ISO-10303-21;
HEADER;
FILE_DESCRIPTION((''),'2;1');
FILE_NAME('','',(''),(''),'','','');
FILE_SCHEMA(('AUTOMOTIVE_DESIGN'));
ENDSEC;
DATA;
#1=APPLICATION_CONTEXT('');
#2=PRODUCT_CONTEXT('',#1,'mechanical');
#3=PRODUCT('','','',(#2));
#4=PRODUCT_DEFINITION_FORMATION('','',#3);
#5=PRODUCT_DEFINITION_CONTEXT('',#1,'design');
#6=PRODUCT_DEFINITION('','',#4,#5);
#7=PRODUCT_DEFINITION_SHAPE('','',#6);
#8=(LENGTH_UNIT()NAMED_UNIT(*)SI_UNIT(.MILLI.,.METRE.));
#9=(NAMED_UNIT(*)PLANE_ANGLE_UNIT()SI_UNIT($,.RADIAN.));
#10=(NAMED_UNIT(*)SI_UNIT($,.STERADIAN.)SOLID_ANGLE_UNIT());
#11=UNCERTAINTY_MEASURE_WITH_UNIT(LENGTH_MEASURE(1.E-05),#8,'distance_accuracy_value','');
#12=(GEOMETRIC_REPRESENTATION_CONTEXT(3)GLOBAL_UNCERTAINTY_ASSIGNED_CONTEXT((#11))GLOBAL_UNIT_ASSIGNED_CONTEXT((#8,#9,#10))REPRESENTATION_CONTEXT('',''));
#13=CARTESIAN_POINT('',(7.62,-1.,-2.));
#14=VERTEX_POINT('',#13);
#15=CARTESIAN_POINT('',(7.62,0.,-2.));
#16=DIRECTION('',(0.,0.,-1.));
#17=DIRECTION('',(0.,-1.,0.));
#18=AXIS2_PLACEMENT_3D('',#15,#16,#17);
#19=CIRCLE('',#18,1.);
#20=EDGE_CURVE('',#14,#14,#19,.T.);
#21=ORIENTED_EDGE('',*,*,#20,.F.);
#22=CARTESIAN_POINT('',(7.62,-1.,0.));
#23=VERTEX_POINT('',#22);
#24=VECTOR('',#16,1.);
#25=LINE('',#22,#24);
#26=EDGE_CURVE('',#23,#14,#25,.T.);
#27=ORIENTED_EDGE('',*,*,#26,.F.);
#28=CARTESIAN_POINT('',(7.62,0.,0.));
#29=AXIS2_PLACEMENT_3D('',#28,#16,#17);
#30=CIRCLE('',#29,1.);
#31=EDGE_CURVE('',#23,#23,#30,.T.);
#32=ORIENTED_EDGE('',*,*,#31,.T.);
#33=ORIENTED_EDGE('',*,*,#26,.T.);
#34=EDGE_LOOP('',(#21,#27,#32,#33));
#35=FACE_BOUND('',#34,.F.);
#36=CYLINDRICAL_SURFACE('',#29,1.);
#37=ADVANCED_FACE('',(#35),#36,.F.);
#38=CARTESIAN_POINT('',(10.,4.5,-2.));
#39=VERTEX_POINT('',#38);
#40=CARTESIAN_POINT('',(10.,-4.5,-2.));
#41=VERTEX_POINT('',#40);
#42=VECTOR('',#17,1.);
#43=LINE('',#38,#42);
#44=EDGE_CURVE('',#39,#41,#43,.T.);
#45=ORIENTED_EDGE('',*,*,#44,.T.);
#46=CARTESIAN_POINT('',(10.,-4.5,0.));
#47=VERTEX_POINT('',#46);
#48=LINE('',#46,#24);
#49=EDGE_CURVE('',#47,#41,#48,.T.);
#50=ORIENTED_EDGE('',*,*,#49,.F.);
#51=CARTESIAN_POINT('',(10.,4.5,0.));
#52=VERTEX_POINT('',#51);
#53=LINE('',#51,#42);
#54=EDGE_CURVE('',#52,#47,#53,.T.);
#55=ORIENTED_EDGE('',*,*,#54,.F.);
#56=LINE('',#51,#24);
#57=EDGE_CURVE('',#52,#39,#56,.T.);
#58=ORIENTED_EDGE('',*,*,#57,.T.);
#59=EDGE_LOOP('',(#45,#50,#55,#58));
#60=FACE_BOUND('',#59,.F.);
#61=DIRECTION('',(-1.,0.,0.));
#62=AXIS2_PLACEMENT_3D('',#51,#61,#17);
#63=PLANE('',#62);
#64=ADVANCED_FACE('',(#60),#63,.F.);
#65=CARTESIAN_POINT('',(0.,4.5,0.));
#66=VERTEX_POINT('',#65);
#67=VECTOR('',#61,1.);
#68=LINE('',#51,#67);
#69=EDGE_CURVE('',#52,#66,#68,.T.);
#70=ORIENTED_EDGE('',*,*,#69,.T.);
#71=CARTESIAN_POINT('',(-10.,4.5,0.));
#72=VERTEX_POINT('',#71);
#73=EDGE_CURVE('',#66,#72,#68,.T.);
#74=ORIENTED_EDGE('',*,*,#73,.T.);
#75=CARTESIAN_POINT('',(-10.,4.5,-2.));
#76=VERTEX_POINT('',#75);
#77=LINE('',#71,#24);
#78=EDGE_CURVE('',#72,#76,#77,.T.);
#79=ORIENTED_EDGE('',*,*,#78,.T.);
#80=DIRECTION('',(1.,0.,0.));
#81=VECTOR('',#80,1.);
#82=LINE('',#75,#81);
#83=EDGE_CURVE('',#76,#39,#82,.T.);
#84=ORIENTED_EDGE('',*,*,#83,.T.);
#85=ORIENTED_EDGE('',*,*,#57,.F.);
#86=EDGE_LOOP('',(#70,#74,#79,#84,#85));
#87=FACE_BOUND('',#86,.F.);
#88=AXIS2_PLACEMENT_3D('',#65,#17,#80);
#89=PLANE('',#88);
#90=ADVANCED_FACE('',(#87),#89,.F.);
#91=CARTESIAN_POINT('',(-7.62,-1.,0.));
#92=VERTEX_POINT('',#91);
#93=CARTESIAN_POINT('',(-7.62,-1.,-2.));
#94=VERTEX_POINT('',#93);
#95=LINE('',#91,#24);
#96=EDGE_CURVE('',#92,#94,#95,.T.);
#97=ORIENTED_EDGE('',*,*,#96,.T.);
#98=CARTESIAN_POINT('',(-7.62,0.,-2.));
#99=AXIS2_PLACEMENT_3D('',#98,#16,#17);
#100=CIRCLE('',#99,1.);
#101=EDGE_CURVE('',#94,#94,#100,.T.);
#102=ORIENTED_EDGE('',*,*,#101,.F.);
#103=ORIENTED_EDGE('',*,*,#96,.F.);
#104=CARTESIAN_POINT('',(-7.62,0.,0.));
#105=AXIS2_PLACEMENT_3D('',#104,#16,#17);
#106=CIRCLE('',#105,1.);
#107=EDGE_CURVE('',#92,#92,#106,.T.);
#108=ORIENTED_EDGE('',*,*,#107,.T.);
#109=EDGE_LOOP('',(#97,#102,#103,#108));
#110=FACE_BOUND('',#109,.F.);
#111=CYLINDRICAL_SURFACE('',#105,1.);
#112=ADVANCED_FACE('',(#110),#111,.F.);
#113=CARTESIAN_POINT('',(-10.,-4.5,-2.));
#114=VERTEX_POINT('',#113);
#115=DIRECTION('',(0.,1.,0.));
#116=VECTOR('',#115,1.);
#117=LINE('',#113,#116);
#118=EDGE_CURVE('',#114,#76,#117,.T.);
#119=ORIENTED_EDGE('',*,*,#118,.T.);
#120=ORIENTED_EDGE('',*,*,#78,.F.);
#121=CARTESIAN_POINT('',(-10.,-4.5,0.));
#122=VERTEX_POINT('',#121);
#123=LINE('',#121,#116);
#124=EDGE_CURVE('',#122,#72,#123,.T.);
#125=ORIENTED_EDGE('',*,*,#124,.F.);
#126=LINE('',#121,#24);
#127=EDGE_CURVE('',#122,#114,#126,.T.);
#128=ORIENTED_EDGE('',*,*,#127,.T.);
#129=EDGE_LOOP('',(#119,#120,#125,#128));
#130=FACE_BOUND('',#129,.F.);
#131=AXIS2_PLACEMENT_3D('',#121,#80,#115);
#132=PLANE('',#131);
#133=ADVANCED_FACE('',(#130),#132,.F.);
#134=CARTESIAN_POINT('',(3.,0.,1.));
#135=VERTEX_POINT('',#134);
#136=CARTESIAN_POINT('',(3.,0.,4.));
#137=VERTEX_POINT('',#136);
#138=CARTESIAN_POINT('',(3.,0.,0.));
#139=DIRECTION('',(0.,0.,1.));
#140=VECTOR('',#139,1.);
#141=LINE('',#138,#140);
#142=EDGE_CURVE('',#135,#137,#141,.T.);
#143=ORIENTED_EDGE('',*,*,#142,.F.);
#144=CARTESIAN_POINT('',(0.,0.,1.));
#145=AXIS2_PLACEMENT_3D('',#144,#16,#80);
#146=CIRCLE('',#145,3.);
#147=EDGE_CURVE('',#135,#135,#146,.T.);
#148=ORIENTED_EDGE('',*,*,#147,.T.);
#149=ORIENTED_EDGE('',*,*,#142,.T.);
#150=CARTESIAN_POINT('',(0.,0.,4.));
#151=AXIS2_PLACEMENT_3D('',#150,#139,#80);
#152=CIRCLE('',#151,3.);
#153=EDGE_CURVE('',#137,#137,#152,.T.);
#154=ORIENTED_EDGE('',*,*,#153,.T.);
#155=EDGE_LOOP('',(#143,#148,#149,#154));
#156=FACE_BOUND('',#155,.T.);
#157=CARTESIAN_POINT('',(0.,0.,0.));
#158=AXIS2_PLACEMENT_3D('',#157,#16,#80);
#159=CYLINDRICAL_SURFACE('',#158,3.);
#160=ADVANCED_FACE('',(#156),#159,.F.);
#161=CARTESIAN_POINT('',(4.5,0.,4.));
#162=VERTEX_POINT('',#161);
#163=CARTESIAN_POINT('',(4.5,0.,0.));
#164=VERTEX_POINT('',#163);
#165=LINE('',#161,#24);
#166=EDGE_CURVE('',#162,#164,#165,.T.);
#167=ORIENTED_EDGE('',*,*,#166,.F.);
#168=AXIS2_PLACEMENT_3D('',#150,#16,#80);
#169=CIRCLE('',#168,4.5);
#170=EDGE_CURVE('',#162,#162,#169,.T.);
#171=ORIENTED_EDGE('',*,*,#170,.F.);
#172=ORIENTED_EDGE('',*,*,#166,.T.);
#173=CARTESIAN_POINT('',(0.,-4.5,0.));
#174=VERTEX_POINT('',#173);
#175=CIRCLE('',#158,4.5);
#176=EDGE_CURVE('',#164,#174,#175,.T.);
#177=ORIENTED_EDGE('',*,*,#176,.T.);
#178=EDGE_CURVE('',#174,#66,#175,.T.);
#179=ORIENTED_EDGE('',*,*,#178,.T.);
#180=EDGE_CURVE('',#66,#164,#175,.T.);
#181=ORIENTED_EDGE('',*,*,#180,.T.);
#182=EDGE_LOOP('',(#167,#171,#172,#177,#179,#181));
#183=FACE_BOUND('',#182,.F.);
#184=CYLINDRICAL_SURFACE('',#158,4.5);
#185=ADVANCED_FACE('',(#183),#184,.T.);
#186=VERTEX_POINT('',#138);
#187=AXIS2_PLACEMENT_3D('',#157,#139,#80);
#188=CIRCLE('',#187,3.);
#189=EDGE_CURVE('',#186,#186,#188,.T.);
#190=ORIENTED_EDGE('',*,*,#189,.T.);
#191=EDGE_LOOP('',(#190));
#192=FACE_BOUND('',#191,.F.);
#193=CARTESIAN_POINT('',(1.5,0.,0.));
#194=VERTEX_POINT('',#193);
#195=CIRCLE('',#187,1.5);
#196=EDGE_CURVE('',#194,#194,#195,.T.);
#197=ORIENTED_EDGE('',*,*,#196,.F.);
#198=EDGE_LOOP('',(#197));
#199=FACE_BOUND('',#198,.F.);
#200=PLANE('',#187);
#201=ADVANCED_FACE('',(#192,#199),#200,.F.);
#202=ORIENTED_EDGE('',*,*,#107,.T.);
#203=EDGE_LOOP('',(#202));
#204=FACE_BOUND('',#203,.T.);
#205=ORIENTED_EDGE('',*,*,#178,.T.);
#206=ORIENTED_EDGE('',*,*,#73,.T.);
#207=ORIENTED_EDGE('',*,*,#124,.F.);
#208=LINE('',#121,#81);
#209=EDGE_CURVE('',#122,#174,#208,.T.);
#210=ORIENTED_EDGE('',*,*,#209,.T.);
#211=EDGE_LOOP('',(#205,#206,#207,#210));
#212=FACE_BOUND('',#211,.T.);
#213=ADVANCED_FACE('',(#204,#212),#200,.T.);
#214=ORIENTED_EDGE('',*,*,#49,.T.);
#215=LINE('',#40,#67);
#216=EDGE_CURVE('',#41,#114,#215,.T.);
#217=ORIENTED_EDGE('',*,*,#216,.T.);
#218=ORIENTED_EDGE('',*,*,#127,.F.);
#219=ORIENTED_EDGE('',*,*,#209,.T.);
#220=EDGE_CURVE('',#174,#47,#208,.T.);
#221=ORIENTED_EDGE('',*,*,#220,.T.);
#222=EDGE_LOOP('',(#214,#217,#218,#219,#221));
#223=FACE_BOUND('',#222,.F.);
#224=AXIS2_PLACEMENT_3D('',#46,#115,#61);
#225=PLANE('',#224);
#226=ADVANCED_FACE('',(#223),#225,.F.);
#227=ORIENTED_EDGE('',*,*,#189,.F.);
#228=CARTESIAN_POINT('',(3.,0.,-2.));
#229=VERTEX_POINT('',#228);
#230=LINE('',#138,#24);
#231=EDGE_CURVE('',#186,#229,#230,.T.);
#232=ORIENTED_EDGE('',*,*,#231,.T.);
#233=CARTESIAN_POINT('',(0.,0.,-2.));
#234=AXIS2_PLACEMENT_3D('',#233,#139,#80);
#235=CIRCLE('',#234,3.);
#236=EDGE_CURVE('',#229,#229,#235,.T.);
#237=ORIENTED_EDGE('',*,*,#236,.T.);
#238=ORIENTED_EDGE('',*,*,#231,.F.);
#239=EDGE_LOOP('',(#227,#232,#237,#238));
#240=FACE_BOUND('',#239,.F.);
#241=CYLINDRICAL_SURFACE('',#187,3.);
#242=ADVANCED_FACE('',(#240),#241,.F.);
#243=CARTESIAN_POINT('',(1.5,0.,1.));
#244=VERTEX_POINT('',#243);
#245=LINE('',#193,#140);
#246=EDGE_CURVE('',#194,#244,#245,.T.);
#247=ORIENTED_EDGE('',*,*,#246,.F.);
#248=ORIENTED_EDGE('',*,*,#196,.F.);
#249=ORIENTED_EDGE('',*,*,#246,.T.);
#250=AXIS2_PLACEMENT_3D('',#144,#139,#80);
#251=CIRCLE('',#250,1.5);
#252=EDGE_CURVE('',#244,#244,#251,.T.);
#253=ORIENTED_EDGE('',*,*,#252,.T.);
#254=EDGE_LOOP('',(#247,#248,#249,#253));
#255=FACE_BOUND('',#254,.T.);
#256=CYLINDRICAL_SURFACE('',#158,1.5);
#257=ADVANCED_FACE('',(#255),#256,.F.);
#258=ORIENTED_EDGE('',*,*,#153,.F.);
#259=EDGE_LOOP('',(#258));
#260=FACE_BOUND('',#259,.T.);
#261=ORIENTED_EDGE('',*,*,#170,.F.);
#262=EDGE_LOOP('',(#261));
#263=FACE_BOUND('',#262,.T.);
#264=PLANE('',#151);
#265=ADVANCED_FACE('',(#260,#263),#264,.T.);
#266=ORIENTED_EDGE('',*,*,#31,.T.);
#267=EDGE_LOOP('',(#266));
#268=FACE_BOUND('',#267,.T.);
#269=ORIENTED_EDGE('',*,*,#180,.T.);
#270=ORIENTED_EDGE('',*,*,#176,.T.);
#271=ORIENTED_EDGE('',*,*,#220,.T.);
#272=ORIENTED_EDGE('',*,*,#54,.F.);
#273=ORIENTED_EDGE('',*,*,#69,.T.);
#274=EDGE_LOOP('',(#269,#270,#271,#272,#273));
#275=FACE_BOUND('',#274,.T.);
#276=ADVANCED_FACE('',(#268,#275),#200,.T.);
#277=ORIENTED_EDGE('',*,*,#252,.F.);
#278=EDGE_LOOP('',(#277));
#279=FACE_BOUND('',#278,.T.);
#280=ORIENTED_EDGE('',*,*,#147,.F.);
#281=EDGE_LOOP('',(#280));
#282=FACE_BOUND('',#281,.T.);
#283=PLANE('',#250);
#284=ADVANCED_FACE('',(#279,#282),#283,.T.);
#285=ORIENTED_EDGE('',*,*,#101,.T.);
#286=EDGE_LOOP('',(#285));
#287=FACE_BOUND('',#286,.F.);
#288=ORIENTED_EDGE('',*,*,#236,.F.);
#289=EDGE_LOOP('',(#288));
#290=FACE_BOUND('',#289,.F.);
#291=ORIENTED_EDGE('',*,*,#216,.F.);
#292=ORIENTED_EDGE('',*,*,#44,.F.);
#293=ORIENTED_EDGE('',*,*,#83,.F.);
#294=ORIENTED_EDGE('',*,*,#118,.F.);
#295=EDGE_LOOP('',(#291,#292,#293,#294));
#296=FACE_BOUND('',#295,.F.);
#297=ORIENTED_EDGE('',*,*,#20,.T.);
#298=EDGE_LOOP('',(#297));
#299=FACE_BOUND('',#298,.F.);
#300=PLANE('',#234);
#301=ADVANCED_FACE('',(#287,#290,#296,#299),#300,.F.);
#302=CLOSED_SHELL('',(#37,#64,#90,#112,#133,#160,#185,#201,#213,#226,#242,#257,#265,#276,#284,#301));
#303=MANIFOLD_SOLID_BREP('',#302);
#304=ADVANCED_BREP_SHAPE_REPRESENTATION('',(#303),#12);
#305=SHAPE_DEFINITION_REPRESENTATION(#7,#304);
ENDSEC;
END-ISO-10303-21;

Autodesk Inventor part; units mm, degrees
ref_plane "YZ Plane" through (0, 0, 0) normal (1, 0, 0) x (0, 1, 0)
ref_plane "XZ Plane" through (0, 0, 0) normal (0, 1, 0) x (-1, 0, 0)
ref_plane "XY Plane" through (0, 0, 0) normal (0, 0, 1) x (1, 0, 0)
sketch "Sketch1" plane through (0, 0, 0) normal (0, 0, 1) x (1, 0, 0)
  circle A0 centre (0, 0) radius 3
  circle A1 centre (0, 0) radius 4.5
  line L0 (0, 0) -> (7.62, 0) construction
  line L1 (0, 0) -> (-7.62, 0) construction
  line L2 (10, -4.5) -> (-10, -4.5)
  line L3 (-10, -4.5) -> (-10, 4.5)
  line L4 (-10, 4.5) -> (10, 4.5)
  line L5 (10, 4.5) -> (10, -4.5)
  line L6 (10, -4.5) -> (-10, 4.5) construction
  line L7 (-10, -4.5) -> (10, 4.5) construction
  circle A2 centre (0, 0) radius 1.5
  dimension "d0" = 6
  dimension "d1" = 9
  dimension "d2" = 7.62
  dimension "d3" = 7.62
  dimension "d4" = 20
  dimension "d5" = 9
  dimension "d8" = 3
extrude "Extrusion1" add sketch "Sketch1" against normal blind 2 contours A1 | A1 L4 L5 L2 | A1 L2 L3 L4
extrude "Extrusion2" add sketch "Sketch1" along normal blind 1 contours A0 | A1
extrude "Extrusion3" add sketch "Sketch1" along normal blind 4 contours A1
hole "Hole1" at (-7.62, 0, 0) at (7.62, 0, 0) direction (0, 0, -1) diameter 2 end through all
properties part number "orczyk"
